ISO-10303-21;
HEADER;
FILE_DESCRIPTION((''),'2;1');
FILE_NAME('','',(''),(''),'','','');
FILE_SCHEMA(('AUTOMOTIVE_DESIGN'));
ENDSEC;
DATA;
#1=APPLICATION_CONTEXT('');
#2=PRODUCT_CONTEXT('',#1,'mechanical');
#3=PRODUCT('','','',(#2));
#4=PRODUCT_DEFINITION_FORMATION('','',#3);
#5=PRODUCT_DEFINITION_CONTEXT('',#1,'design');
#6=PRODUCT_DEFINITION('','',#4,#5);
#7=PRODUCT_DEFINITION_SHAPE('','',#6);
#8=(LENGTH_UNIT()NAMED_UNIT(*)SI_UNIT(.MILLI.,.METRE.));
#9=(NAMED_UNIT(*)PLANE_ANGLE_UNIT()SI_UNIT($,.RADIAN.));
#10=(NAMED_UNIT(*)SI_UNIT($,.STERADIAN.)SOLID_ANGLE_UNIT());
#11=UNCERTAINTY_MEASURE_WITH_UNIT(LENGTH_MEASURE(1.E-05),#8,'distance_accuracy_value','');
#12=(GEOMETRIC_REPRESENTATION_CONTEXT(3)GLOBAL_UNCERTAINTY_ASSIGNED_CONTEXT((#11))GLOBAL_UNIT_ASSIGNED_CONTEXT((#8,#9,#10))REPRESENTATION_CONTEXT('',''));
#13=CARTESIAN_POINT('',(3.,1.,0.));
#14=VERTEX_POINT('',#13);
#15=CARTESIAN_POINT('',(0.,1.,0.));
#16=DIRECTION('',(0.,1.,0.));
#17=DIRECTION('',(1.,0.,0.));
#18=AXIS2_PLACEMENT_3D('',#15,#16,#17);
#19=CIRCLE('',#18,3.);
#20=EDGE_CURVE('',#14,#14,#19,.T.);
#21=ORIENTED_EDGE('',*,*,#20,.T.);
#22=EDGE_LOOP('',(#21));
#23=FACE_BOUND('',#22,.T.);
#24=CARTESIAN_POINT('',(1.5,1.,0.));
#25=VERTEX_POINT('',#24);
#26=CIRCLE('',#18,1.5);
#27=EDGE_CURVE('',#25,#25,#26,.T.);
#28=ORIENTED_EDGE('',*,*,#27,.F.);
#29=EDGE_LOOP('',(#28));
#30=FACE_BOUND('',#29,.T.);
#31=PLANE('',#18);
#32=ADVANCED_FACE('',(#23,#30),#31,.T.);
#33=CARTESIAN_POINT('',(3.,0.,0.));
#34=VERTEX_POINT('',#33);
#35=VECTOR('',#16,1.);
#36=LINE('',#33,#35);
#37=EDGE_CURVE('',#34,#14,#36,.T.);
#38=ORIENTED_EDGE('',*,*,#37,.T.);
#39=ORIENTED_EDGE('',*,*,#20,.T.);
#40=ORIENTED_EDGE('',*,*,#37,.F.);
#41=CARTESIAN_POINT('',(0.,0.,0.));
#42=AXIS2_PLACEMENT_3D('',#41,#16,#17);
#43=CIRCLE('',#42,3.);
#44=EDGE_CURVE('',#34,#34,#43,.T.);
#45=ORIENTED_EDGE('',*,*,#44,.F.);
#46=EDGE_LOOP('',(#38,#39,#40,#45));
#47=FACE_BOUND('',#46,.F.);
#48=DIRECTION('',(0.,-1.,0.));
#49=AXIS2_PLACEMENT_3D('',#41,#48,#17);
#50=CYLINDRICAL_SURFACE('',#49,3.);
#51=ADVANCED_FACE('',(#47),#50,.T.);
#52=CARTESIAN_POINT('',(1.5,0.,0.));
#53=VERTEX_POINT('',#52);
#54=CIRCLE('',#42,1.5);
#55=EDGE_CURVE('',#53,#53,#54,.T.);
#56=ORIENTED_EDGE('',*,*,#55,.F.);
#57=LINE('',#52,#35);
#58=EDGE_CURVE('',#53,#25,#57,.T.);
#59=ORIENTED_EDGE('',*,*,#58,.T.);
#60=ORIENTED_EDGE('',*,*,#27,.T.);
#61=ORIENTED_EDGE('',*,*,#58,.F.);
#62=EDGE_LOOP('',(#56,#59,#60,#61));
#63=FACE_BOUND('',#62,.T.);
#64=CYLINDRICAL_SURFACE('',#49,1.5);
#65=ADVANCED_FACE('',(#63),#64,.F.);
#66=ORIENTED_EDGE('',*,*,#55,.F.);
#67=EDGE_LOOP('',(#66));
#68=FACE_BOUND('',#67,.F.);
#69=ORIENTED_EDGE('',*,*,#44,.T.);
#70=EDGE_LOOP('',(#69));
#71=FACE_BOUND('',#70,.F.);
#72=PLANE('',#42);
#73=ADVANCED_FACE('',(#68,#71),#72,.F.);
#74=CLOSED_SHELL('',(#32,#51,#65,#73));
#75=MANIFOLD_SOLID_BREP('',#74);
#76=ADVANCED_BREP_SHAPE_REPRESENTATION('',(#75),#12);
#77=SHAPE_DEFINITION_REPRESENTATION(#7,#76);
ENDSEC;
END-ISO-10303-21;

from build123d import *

# Parameters (mm, degrees)
SKETCH_1_R      = 3
SKETCH_1_R_2    = 1.5
EXTRUDE_1_DEPTH = 1


with BuildPart() as part:
    # 草图1 → 凸台-拉伸1 (new body)
    with BuildSketch(Plane(origin=(0, 0, 0), x_dir=(1, 0, 0), z_dir=(0, 1, 0))):
        Circle(SKETCH_1_R)
        Circle(SKETCH_1_R_2, mode=Mode.SUBTRACT)
    extrude(amount=EXTRUDE_1_DEPTH)


solid = part.part
